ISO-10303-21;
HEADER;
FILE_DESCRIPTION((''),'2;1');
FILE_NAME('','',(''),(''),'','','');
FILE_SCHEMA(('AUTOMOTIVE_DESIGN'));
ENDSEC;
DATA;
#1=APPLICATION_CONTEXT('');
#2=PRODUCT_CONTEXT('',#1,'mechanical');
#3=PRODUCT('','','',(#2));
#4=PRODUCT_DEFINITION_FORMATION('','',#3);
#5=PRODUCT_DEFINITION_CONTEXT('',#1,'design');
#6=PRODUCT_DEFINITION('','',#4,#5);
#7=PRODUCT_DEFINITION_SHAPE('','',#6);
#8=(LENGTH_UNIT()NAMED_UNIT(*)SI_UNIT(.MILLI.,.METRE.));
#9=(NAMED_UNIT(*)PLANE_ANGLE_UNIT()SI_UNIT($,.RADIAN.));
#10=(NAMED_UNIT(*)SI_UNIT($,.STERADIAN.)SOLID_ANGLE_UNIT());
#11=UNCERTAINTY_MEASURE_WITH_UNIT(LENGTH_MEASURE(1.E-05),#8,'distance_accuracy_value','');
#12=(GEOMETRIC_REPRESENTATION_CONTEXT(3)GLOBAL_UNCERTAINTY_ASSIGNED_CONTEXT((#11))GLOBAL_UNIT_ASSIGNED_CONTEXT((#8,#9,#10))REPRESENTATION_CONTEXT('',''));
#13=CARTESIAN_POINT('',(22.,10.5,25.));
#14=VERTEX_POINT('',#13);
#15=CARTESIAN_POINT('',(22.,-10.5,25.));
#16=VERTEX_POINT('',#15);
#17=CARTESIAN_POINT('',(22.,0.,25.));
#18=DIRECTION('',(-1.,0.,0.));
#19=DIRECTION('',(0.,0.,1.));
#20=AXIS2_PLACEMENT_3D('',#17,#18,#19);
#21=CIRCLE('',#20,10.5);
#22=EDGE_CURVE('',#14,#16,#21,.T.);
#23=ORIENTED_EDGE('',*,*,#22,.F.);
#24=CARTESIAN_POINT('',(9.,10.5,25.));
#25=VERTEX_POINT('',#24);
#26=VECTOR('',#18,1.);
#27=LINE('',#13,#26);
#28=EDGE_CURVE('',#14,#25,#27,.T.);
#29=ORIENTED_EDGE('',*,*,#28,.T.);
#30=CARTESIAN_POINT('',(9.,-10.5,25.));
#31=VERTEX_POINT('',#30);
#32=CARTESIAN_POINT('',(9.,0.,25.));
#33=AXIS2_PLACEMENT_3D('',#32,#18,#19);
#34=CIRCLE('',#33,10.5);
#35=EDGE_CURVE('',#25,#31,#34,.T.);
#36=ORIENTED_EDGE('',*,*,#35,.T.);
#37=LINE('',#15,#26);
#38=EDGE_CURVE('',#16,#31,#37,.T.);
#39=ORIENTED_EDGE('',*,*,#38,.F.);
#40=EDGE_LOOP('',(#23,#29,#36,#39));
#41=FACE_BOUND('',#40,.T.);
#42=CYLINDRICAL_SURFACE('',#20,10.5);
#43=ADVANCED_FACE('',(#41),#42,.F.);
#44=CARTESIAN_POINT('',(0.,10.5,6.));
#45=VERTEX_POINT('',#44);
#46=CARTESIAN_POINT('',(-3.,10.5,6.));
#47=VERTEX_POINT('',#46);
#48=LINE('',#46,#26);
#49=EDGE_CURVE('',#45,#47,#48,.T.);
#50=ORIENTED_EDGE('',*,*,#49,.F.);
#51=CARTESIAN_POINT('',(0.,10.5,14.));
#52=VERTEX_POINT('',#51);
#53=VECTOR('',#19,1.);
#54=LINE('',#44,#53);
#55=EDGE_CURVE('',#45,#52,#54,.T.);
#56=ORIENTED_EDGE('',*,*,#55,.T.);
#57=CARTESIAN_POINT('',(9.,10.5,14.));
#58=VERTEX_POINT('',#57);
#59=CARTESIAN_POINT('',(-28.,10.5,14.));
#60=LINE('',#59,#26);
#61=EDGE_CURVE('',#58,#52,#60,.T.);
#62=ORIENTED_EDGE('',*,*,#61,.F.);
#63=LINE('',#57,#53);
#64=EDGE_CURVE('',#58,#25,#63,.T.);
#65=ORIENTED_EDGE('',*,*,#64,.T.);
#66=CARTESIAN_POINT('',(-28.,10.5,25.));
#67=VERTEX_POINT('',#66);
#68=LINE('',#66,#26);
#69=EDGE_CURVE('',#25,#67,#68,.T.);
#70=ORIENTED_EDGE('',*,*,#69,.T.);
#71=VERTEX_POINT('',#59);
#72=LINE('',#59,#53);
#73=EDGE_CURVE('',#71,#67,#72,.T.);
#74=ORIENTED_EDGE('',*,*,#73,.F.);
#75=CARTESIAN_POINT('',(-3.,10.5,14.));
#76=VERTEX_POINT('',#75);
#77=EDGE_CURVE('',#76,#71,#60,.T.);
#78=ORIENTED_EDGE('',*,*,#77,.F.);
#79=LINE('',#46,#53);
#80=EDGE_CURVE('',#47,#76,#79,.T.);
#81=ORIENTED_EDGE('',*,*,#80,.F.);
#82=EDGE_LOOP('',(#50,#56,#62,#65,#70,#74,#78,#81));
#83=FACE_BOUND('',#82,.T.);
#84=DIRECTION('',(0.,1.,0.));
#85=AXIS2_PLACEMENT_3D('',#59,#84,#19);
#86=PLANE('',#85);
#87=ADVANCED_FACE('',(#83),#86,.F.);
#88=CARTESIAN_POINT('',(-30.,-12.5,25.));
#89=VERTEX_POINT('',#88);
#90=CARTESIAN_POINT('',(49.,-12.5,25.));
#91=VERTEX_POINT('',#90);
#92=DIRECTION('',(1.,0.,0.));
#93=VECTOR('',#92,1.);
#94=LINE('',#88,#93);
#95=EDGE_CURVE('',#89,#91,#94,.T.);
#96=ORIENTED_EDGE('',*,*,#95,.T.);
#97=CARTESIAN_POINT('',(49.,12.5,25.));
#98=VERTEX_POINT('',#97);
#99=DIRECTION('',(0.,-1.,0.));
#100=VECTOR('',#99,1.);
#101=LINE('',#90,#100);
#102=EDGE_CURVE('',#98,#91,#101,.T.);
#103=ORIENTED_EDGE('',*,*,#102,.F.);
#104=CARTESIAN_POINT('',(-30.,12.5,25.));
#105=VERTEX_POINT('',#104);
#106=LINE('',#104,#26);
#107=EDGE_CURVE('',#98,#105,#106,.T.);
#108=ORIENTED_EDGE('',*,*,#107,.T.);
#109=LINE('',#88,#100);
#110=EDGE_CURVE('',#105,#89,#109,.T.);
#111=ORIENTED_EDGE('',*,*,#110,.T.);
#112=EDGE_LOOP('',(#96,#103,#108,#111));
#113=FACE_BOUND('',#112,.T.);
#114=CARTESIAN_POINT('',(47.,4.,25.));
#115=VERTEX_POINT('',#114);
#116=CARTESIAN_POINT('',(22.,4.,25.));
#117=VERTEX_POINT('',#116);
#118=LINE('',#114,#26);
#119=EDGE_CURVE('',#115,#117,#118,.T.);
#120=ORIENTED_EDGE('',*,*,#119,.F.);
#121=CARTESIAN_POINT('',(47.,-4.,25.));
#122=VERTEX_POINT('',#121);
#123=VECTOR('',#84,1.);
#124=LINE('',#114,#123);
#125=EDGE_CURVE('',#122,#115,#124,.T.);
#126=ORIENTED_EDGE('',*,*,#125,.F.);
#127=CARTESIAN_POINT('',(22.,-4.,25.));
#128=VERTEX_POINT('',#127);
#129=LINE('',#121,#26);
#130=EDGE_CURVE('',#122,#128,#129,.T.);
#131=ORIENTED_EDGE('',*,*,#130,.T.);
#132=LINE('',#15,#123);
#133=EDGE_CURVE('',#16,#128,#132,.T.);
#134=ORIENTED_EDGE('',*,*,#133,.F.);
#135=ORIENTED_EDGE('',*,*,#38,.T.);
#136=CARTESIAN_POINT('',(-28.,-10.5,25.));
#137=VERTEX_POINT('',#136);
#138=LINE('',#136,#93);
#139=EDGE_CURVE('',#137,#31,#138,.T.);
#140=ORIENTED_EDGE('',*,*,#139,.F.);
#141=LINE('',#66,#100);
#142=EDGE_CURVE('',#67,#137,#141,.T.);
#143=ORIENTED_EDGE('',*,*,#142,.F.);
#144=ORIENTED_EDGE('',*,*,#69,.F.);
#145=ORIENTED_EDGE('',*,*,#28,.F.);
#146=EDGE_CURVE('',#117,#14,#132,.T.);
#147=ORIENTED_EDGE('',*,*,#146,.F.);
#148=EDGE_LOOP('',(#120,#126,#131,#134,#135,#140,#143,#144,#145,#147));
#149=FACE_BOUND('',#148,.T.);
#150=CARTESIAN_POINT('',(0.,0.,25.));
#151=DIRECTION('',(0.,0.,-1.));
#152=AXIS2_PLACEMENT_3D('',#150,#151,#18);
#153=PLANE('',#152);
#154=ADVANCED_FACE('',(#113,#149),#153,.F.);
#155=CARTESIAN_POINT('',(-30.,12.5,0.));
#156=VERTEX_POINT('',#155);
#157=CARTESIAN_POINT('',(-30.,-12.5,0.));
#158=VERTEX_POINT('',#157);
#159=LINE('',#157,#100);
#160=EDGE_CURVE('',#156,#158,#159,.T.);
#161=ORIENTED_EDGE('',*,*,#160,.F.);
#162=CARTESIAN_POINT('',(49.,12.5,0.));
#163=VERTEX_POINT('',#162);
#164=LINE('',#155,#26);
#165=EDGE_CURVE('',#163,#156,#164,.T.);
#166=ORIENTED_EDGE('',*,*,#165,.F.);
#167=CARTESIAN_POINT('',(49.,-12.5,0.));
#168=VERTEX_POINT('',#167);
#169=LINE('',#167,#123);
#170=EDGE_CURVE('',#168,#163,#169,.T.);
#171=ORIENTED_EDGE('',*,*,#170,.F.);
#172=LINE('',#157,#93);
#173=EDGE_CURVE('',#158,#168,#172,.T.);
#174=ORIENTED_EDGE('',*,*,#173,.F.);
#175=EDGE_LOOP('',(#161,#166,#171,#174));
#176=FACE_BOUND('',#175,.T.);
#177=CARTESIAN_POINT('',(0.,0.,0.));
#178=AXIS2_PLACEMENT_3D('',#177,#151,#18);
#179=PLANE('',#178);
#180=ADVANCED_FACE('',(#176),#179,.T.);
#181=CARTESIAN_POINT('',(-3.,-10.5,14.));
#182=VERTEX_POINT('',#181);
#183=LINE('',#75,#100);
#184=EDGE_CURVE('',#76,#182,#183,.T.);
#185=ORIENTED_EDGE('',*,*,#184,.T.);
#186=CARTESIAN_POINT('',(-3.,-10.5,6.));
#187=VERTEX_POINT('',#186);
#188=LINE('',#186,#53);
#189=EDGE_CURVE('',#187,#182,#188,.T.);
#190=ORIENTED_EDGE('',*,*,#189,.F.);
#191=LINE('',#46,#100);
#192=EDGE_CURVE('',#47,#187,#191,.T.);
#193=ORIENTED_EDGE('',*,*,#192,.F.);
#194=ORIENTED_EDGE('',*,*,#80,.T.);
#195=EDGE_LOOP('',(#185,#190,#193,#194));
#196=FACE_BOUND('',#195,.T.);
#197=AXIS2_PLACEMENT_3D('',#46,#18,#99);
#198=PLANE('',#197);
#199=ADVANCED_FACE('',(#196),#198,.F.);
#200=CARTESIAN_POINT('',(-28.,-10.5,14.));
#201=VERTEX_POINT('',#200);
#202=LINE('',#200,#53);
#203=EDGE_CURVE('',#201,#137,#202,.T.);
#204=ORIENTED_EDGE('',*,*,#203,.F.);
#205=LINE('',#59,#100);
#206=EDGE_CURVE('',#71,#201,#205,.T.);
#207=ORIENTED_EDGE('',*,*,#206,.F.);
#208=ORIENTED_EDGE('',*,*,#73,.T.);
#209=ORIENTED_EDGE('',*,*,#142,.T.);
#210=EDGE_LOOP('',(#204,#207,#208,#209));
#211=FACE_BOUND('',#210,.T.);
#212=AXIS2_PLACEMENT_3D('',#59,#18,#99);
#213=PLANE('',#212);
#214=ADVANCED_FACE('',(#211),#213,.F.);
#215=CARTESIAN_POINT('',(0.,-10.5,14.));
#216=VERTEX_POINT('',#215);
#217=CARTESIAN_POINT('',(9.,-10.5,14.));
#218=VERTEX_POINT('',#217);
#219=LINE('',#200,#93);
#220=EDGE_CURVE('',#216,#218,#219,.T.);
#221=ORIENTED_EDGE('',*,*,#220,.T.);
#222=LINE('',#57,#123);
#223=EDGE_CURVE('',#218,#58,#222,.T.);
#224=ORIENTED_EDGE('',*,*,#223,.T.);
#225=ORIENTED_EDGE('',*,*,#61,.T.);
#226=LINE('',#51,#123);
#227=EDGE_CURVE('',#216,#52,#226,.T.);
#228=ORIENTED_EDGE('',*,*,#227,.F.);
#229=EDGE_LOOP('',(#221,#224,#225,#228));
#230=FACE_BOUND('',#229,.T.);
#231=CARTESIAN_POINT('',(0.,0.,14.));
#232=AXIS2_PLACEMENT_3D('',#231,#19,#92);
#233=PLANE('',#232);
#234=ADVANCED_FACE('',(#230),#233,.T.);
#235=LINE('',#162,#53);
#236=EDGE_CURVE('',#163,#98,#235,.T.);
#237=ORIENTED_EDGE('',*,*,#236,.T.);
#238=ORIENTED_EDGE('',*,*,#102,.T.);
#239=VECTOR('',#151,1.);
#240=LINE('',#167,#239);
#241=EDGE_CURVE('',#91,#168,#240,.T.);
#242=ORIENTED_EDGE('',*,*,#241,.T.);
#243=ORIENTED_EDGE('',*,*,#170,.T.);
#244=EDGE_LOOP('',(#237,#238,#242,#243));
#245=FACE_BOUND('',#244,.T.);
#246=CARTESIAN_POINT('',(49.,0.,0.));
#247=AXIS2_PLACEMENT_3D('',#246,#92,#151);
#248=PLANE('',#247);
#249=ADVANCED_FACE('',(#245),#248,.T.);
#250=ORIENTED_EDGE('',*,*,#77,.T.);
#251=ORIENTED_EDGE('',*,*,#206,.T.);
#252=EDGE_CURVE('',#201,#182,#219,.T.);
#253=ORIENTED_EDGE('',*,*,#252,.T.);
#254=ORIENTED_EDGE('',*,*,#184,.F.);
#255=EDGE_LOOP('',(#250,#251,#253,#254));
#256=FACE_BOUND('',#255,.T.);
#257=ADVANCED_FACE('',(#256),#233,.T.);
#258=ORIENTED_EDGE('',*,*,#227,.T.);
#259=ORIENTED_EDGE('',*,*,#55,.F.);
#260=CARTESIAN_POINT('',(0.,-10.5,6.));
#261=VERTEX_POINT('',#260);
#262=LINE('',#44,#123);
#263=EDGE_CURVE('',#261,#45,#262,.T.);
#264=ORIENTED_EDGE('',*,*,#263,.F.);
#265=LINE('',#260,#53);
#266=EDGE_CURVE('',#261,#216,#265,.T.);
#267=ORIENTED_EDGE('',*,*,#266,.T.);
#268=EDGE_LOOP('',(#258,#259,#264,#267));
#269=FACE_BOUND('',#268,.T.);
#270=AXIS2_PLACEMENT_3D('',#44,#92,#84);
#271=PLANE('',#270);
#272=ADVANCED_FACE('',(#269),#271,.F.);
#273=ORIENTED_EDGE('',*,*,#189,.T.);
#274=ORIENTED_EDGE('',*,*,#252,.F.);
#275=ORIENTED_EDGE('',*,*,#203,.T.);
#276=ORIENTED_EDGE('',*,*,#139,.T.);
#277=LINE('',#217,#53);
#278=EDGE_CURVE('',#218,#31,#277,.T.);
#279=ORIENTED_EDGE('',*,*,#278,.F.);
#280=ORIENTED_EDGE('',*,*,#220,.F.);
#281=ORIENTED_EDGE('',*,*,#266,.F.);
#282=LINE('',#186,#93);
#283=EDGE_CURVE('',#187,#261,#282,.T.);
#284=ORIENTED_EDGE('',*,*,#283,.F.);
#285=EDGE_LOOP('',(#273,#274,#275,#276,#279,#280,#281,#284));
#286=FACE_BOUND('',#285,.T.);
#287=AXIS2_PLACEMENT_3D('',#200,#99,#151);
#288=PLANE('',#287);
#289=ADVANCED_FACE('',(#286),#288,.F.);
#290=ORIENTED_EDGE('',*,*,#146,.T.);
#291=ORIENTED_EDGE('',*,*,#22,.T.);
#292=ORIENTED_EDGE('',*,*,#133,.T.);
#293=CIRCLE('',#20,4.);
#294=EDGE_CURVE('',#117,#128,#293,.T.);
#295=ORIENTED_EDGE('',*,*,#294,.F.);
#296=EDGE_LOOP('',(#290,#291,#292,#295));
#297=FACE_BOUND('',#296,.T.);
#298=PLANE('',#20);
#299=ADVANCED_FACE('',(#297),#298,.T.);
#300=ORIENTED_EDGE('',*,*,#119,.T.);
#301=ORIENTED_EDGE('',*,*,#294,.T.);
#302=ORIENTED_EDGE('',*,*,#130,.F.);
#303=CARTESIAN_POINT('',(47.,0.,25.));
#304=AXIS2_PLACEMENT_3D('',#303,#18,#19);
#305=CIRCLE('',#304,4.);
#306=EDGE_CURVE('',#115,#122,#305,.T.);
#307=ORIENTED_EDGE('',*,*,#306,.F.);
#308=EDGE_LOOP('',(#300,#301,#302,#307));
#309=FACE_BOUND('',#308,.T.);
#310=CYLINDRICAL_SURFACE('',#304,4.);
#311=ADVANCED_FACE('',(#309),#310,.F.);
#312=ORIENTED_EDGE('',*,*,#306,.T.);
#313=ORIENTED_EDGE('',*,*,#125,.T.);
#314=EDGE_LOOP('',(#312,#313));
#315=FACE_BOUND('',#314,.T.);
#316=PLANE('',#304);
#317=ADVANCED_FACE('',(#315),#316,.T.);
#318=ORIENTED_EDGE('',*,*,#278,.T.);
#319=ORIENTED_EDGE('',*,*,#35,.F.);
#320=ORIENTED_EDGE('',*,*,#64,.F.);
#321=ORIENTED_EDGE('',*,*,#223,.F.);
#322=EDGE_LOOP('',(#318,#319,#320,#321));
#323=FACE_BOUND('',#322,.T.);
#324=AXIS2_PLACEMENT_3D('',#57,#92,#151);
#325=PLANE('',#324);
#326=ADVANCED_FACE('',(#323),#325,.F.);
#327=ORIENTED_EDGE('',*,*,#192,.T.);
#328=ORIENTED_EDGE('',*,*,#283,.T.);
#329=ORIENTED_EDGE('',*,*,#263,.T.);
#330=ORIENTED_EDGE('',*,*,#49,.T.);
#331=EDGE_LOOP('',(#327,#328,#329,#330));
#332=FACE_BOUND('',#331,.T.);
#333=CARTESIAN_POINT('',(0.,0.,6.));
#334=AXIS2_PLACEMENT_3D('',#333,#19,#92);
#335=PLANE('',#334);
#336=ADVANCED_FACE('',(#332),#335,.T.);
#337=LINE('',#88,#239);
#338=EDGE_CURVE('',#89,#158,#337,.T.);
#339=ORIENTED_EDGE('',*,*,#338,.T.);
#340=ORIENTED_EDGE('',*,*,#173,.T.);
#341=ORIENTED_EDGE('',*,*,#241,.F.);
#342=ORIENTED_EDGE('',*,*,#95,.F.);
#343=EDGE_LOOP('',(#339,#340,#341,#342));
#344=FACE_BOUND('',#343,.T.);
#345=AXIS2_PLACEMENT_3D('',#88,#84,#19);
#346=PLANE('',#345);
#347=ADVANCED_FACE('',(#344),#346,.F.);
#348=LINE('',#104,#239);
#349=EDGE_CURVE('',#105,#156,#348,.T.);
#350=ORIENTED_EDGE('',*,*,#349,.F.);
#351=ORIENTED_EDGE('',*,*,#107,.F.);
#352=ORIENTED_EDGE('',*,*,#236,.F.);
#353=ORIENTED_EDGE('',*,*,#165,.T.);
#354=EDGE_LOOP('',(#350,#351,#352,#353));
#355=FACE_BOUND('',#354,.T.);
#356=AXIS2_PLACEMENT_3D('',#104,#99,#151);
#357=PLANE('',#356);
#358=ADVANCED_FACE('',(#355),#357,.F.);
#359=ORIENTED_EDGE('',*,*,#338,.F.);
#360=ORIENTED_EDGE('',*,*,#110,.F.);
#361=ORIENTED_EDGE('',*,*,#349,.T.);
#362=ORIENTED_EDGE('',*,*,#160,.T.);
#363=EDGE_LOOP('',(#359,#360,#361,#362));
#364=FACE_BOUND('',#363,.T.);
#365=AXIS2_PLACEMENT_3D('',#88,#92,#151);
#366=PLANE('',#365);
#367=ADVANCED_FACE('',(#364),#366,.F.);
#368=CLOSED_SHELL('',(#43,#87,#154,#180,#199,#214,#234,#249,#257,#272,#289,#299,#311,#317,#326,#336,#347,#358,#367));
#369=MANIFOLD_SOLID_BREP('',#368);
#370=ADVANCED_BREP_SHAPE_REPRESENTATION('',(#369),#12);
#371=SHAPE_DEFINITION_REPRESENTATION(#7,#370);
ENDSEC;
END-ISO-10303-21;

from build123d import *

# Parameters (mm, degrees)
SKETCH1_W           = 50
SKETCH1_H           = 25
BOSS_EXTRUDE1_DEPTH = 25
SKETCH2_W           = 37
SKETCH2_H           = 21
CUT_EXTRUDE1_DEPTH  = 11
SKETCH3_W           = 3
SKETCH3_H           = 21
CUT_EXTRUDE2_DEPTH  = 8
SKETCH7_W           = 25
SKETCH7_H           = 25
BOSS_EXTRUDE2_DEPTH = 19
CUT_EXTRUDE3_DEPTH  = 13
SKETCH10_W          = 25
SKETCH10_H          = 25
BOSS_EXTRUDE3_DEPTH = 10
CUT_EXTRUDE5_DEPTH  = 25


with BuildPart() as part:
    # Sketch1 → Boss-Extrude1 (new body)
    with BuildSketch(Plane.XY):
        with Locations((-5, 0)):
            Rectangle(SKETCH1_W, SKETCH1_H)
    extrude(amount=BOSS_EXTRUDE1_DEPTH)

    # Sketch2 → Cut-Extrude1 (cut)
    with BuildSketch(Plane.XY.offset(25)):
        with Locations((-9.5, 0)):
            Rectangle(SKETCH2_W, SKETCH2_H)
    extrude(amount=-CUT_EXTRUDE1_DEPTH, mode=Mode.SUBTRACT)

    # Sketch3 → Cut-Extrude2 (cut)
    with BuildSketch(Plane.XY.offset(14)):
        with Locations((-1.5, 0)):
            Rectangle(SKETCH3_W, SKETCH3_H)
    extrude(amount=-CUT_EXTRUDE2_DEPTH, mode=Mode.SUBTRACT)

    # Sketch7 → Boss-Extrude2 (add)
    with BuildSketch(Plane(origin=(20, 0, 0), x_dir=(0, 0, -1), z_dir=(1, 0, 0))):
        with Locations((-12.5, 0)):
            Rectangle(SKETCH7_W, SKETCH7_H)
    extrude(amount=BOSS_EXTRUDE2_DEPTH)

    # Sketch8 → Cut-Extrude3 (cut)
    with BuildSketch(Plane.ZY.offset(-9)):
        with BuildLine():
            Line((25, -10.5), (25, 10.5))
            ThreePointArc((25, 10.5), (14.5, 0), (25, -10.5))
        make_face()
    extrude(amount=-CUT_EXTRUDE3_DEPTH, mode=Mode.SUBTRACT)

    # Sketch10 → Boss-Extrude3 (add)
    with BuildSketch(Plane(origin=(39, 0, 0), x_dir=(0, 0, -1), z_dir=(1, 0, 0))):
        with Locations((-12.5, 0)):
            Rectangle(SKETCH10_W, SKETCH10_H)
    extrude(amount=BOSS_EXTRUDE3_DEPTH)

    # Sketch9 → Cut-Extrude5 (cut)
    with BuildSketch(Plane.ZY.offset(-22)):
        with BuildLine():
            Line((25, 4), (25, -4))
            ThreePointArc((25, -4), (21, 0), (25, 4))
        make_face()
    extrude(amount=-CUT_EXTRUDE5_DEPTH, mode=Mode.SUBTRACT)


solid = part.part
